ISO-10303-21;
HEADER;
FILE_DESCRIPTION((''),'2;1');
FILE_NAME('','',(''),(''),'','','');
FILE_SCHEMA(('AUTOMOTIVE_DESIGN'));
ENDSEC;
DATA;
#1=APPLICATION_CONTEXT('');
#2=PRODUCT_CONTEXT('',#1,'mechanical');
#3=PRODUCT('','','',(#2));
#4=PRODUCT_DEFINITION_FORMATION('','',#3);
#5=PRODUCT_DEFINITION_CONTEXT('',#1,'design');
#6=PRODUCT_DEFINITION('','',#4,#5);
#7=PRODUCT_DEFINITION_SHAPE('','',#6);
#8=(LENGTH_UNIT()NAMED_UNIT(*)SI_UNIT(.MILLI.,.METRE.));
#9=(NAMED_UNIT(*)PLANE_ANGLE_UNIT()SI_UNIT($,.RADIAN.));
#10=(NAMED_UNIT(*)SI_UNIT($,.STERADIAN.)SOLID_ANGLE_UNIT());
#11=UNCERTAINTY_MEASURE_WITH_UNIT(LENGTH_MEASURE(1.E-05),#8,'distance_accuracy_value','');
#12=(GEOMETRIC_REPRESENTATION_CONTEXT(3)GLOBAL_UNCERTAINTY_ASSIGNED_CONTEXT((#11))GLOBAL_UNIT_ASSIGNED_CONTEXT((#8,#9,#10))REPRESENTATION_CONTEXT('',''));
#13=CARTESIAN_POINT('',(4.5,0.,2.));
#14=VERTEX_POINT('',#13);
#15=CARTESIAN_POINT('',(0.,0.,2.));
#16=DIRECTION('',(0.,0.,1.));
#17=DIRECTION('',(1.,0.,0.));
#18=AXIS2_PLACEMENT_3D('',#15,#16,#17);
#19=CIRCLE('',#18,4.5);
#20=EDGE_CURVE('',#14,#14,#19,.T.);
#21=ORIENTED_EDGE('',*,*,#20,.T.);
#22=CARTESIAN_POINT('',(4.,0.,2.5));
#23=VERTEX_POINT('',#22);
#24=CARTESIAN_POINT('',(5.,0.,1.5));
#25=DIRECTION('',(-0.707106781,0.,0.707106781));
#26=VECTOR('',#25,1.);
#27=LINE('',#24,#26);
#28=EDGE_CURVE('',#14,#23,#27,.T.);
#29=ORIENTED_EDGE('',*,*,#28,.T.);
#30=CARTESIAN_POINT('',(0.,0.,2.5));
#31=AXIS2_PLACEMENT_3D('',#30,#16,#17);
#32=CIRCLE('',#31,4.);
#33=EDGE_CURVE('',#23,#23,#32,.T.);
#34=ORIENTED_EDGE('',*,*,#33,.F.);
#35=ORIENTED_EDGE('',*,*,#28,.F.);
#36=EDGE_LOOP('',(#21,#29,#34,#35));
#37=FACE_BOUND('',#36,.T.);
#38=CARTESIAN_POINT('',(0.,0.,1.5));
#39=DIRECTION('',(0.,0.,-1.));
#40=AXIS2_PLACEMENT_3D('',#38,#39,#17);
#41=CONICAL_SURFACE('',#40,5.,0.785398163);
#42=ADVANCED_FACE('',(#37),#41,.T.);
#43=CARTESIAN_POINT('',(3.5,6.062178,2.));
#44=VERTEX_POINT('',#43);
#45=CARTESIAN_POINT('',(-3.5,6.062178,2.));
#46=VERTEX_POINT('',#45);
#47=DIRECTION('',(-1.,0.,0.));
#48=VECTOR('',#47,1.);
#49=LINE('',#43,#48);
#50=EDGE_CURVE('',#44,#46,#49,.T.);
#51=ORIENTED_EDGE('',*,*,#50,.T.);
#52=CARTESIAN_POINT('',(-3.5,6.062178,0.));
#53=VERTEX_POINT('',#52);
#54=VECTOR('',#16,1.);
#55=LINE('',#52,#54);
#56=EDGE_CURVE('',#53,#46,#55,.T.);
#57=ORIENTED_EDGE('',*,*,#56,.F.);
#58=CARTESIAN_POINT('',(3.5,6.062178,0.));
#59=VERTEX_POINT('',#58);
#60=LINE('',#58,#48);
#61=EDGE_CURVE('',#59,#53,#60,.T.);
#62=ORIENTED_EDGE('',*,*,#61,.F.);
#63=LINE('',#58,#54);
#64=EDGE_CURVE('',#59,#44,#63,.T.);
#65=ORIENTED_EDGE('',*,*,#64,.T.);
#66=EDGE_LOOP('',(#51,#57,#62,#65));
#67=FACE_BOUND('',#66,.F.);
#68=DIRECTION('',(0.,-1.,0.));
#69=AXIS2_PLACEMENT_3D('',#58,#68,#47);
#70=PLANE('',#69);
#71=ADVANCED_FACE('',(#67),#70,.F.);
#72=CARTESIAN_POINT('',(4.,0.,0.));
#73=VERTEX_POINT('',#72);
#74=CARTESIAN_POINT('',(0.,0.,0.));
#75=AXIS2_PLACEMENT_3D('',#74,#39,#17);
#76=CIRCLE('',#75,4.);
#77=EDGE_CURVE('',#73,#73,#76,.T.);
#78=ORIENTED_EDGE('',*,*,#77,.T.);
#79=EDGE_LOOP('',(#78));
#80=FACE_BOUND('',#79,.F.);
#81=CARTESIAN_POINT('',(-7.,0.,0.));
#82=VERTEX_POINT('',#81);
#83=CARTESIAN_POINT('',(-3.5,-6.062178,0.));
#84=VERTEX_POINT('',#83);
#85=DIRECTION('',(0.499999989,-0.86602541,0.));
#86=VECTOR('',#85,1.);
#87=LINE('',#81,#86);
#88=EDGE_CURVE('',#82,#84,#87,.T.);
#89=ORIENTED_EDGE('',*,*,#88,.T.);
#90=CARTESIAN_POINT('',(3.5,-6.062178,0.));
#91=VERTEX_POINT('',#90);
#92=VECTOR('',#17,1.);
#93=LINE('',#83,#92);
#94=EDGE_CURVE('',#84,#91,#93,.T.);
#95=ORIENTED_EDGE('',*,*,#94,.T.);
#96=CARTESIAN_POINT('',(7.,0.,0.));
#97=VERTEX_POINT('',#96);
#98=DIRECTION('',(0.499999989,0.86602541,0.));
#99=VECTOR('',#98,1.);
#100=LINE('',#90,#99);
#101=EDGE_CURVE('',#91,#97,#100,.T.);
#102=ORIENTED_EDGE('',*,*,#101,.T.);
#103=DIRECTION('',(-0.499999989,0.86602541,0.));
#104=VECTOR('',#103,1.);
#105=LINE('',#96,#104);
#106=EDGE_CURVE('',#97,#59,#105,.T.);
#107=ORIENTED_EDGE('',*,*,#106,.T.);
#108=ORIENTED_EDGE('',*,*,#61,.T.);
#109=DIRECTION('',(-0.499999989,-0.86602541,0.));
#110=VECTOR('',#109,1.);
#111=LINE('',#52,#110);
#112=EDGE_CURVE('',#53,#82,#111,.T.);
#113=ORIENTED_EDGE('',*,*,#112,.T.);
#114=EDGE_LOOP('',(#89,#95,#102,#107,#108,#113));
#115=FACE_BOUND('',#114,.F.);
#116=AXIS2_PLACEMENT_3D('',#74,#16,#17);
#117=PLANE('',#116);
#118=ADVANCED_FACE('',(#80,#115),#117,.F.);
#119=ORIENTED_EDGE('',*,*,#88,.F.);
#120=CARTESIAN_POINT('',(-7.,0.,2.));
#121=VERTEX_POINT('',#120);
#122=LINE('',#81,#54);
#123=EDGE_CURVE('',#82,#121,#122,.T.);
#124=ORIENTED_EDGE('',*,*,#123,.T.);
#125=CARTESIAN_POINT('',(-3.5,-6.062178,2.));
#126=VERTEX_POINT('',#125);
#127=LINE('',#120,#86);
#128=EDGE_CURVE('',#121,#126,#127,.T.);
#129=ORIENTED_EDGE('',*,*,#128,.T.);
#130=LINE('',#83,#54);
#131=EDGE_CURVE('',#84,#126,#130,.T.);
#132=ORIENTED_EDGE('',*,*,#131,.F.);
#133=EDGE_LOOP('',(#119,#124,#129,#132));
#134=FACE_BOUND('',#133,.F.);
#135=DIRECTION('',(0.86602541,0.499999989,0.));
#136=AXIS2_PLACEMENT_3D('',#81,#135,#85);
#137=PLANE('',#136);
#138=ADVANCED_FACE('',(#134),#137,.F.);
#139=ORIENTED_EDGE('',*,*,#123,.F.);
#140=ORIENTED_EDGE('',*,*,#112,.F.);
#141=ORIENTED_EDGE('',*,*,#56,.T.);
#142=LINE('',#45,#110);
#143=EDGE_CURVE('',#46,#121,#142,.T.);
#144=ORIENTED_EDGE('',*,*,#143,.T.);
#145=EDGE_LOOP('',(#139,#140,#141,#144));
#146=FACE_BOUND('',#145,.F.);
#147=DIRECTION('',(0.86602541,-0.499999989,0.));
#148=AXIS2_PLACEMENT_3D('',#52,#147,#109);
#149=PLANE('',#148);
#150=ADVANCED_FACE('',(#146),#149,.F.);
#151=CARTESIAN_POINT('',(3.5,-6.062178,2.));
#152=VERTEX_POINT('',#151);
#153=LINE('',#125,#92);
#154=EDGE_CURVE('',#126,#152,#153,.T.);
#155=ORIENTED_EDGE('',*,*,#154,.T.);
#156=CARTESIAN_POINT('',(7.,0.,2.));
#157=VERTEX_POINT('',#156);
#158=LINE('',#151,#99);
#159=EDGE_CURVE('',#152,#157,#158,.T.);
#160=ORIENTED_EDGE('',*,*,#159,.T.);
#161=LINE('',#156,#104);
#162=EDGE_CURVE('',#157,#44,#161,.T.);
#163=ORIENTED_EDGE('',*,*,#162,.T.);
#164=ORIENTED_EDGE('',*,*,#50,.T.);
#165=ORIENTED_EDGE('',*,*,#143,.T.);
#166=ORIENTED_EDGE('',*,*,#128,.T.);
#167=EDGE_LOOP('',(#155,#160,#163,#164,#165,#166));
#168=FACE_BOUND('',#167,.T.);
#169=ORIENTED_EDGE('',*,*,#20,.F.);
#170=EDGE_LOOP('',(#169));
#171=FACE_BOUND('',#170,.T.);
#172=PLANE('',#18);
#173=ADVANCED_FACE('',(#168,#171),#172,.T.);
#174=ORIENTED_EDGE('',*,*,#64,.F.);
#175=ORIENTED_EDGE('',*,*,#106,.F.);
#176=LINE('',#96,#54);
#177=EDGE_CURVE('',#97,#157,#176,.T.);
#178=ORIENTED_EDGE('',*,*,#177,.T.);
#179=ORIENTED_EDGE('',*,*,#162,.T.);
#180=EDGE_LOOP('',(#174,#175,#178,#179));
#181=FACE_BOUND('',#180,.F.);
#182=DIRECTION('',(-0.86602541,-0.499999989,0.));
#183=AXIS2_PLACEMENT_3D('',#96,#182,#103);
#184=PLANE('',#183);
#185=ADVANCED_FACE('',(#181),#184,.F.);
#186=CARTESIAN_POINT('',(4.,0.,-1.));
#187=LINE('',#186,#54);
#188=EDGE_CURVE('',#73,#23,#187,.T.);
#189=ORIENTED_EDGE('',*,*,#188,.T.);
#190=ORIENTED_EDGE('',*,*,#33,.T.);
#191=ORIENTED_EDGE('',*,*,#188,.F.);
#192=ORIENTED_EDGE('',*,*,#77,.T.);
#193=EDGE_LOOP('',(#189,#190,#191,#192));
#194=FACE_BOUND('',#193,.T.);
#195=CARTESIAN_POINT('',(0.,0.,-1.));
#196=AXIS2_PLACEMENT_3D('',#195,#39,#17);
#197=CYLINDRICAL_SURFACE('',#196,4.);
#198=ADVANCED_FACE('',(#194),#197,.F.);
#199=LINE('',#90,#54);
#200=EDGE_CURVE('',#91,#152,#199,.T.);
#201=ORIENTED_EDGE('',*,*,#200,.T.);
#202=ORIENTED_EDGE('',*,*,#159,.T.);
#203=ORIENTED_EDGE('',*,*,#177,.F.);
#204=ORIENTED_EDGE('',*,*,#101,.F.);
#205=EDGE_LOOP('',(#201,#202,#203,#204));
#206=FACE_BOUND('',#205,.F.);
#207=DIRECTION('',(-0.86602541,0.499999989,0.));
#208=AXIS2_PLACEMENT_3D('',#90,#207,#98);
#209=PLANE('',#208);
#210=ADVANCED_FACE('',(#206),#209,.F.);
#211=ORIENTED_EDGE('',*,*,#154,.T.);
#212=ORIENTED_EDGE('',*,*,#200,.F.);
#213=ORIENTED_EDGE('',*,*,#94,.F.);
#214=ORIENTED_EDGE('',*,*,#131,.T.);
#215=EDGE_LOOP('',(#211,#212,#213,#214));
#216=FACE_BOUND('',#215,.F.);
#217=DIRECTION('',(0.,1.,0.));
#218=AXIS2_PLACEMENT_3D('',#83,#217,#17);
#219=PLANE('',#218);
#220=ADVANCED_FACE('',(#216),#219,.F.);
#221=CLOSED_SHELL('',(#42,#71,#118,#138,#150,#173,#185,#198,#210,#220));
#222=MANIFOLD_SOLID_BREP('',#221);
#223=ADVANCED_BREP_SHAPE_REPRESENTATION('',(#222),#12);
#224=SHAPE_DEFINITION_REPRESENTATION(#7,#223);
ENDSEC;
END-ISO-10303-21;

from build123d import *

# Parameters (mm, degrees)
CYLINDER003_R     = 4
CYLINDER003_DEPTH = 10
PRISM_DEPTH       = 2
CYLINDER002_R     = 5
CYLINDER002_DEPTH = 1.5
CHAMFER002_SIZE   = 1


with BuildPart() as cylinder003:
    # Cylinder003 → Cylinder003 (new body)
    with BuildSketch(Plane.XY.offset(-1)):
        Circle(CYLINDER003_R)
    extrude(amount=CYLINDER003_DEPTH)


with BuildPart() as prism:
    # Prism → Prism (new body)
    with BuildSketch(Plane.XY):
        Polygon((7, 0), (3.5, 6.062178), (-3.5, 6.062178), (-7, 0), (-3.5, -6.062178), (3.5, -6.062178), align=None)
    extrude(amount=PRISM_DEPTH)


with BuildPart() as cut003:
    # Cylinder002 → Cylinder002 (new body)
    with BuildSketch(Plane.XY.offset(1)):
        Circle(CYLINDER002_R)
    extrude(amount=CYLINDER002_DEPTH)

    # Chamfer002
    chamfer002_edges = [cut003.edges().sort_by_distance(p)[0] for p in [
        (-5, 0, 2.5),
    ]]
    chamfer(chamfer002_edges, length=CHAMFER002_SIZE)

    # Fusion006: union Prism
    add(prism.part)

    # Cut003: cut Cylinder003
    add(cylinder003.part, mode=Mode.SUBTRACT)


solid = cut003.part
